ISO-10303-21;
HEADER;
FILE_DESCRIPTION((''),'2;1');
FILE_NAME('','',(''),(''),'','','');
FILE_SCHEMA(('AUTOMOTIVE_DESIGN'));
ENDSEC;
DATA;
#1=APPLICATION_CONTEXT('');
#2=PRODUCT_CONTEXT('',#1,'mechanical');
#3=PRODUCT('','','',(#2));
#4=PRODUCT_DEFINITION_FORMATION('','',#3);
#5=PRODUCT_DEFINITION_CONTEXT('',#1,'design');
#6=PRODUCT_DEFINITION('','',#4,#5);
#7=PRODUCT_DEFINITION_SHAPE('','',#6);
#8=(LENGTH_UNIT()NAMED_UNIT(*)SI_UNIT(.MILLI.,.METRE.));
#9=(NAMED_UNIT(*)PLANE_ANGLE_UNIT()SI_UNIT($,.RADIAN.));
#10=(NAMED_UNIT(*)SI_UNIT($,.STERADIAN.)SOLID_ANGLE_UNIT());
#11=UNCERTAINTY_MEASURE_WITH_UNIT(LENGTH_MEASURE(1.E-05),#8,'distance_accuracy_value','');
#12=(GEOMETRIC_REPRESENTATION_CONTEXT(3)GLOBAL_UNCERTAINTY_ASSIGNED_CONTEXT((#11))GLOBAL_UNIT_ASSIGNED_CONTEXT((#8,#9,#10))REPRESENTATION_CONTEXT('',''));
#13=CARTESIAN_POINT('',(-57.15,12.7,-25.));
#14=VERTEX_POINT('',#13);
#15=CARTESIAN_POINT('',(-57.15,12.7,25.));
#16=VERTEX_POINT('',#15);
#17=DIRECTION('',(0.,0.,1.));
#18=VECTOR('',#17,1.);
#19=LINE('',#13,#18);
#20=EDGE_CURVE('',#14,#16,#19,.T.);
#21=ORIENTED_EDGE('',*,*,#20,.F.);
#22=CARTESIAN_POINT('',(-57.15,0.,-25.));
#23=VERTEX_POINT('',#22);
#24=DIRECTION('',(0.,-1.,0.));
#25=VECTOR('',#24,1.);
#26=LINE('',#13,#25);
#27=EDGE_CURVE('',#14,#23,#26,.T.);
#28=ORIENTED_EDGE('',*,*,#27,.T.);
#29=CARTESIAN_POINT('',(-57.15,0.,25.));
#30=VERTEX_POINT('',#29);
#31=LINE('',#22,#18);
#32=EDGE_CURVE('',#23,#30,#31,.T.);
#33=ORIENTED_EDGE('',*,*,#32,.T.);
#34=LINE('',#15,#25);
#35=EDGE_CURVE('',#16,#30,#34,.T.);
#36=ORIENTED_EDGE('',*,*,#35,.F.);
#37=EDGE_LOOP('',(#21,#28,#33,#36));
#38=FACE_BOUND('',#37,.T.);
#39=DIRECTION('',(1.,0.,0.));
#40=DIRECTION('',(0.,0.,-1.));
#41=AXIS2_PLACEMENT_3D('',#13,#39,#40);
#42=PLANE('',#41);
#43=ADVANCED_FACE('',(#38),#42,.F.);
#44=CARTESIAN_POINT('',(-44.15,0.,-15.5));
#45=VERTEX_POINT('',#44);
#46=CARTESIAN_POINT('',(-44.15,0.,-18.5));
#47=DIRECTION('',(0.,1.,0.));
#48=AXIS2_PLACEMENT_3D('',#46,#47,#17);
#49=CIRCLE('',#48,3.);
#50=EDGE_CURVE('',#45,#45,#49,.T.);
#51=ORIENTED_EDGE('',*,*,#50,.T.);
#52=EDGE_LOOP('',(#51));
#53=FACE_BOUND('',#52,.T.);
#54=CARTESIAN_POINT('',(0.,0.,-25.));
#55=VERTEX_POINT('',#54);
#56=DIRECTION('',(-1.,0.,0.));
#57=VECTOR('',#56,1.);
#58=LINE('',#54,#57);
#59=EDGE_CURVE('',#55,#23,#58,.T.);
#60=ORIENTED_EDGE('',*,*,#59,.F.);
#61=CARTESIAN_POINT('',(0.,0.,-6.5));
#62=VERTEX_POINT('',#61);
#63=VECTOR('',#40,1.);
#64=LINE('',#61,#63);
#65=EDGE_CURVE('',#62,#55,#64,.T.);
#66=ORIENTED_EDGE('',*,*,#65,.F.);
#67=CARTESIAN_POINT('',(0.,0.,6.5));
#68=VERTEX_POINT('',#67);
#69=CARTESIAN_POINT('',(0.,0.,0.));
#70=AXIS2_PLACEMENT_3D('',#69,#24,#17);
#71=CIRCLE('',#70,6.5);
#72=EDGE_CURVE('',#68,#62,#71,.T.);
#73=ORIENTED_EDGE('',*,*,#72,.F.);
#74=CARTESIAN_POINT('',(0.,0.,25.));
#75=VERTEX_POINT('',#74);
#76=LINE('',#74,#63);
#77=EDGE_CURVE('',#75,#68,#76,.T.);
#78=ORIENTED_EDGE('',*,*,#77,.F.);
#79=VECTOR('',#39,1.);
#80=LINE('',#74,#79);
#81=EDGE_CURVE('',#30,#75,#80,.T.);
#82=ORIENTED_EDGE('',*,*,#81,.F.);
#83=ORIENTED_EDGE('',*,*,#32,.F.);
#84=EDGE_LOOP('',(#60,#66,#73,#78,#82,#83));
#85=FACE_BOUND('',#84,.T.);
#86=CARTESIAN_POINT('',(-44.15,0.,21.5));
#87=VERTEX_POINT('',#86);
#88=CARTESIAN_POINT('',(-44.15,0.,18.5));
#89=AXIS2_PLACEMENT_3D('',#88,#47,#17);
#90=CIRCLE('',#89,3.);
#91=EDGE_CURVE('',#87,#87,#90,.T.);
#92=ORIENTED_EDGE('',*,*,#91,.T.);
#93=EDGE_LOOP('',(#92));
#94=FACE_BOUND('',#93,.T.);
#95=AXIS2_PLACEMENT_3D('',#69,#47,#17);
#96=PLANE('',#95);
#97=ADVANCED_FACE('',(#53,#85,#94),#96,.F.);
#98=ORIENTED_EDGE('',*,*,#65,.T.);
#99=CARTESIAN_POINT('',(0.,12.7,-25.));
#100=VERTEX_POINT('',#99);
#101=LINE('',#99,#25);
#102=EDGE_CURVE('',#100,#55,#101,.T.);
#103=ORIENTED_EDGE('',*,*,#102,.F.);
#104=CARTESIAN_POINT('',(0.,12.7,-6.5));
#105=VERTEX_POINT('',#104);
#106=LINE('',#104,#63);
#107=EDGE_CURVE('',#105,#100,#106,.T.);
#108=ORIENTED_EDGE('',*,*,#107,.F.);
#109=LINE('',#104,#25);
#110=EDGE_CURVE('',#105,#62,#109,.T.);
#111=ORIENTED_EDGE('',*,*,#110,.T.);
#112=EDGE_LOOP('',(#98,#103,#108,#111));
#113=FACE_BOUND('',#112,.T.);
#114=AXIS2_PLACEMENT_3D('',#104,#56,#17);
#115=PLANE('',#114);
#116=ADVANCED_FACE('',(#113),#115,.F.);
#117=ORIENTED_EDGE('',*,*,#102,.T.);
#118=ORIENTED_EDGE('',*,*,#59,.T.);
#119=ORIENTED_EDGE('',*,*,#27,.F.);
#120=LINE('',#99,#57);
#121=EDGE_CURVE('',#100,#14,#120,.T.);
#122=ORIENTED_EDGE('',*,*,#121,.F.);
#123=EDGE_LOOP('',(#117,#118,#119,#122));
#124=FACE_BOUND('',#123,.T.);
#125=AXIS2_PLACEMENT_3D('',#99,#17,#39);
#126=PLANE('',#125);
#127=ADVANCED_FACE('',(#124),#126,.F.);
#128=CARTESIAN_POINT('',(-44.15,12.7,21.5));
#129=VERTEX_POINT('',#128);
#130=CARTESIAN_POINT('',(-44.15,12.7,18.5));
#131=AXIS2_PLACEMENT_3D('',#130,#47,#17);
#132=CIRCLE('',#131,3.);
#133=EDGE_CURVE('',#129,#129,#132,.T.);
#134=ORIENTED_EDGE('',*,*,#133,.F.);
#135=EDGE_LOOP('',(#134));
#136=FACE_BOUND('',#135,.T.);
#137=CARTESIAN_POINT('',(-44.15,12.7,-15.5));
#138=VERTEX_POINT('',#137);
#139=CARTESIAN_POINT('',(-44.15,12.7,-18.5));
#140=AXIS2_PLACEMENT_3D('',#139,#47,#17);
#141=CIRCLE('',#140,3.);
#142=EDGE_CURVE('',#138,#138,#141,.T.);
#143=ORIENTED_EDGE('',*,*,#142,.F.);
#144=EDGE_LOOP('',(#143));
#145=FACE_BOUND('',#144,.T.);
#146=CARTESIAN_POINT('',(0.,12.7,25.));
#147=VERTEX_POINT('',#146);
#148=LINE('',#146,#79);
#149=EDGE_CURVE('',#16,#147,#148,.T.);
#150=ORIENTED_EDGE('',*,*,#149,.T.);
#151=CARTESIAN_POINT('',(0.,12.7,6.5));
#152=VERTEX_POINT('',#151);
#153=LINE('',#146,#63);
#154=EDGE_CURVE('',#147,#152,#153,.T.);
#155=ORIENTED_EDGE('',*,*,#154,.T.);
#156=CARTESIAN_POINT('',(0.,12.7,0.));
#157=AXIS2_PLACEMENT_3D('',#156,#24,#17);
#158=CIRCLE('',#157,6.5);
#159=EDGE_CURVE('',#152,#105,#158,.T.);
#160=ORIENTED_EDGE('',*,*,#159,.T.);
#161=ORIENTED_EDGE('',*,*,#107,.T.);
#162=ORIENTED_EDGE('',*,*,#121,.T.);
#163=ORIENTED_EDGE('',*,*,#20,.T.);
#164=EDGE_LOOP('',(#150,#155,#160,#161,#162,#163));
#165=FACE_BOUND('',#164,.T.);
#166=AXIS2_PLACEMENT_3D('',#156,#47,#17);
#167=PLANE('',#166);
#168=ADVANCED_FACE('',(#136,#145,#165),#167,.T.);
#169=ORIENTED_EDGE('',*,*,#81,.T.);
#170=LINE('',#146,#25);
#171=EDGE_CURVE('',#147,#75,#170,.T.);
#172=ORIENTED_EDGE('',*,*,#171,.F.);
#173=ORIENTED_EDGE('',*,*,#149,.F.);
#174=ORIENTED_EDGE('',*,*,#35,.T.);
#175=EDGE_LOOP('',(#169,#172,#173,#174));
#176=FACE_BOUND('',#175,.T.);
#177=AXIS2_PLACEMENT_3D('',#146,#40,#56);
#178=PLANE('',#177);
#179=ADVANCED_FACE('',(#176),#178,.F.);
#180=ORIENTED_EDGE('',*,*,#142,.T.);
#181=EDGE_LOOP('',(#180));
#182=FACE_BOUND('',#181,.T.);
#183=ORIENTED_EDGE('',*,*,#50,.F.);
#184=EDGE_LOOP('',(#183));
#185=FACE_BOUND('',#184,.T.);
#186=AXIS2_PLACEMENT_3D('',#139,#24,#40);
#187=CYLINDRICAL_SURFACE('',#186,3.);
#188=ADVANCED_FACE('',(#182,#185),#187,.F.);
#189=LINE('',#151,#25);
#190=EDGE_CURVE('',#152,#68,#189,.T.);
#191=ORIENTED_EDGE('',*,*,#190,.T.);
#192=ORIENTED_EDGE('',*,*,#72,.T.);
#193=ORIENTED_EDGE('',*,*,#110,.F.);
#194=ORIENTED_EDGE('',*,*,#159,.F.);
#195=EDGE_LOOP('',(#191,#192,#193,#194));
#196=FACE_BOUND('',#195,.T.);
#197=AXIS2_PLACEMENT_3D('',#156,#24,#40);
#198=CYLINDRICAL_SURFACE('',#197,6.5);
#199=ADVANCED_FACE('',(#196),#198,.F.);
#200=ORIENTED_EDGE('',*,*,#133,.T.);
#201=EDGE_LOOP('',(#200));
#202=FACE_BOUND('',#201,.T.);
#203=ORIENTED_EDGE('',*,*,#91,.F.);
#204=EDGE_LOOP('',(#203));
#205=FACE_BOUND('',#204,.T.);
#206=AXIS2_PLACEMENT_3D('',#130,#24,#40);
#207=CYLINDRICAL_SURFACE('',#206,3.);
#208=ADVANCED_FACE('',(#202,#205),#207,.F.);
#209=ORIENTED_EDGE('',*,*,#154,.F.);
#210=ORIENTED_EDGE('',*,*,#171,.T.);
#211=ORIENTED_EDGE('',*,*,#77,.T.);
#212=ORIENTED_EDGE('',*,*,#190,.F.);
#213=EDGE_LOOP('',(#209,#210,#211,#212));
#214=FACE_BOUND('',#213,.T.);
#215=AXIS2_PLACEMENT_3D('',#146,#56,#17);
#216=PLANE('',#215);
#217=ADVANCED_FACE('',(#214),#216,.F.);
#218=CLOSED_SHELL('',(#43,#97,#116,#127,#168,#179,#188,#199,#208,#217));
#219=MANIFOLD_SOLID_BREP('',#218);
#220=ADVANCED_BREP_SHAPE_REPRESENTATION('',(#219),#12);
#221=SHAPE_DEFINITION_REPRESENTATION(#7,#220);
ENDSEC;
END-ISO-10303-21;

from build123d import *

# Parameters (mm, degrees)
CROQUIS2_R              = 3
SALIENTE_EXTRUIR1_DEPTH = 12.7


with BuildPart() as part:
    # Croquis2 → Saliente-Extruir1 (new body)
    with BuildSketch(Plane(origin=(0, 0, 0), x_dir=(1, 0, 0), z_dir=(0, 1, 0))):
        with BuildLine():
            Line((0, 25), (-57.15, 25))
            Line((-57.15, 25), (-57.15, -25))
            Line((-57.15, -25), (0, -25))
            Line((0, -25), (0, -6.5))
            ThreePointArc((0, -6.5), (-6.5, 0), (0, 6.5))
            Line((0, 6.5), (0, 25))
        make_face()
        with Locations(Location((-44.15, -18.5, 0), (0, 0, 270))):
            Circle(CROQUIS2_R, mode=Mode.SUBTRACT)
        with Locations(Location((-44.15, 18.5, 0), (0, 0, 270))):
            Circle(CROQUIS2_R, mode=Mode.SUBTRACT)
    extrude(amount=SALIENTE_EXTRUIR1_DEPTH)


solid = part.part
